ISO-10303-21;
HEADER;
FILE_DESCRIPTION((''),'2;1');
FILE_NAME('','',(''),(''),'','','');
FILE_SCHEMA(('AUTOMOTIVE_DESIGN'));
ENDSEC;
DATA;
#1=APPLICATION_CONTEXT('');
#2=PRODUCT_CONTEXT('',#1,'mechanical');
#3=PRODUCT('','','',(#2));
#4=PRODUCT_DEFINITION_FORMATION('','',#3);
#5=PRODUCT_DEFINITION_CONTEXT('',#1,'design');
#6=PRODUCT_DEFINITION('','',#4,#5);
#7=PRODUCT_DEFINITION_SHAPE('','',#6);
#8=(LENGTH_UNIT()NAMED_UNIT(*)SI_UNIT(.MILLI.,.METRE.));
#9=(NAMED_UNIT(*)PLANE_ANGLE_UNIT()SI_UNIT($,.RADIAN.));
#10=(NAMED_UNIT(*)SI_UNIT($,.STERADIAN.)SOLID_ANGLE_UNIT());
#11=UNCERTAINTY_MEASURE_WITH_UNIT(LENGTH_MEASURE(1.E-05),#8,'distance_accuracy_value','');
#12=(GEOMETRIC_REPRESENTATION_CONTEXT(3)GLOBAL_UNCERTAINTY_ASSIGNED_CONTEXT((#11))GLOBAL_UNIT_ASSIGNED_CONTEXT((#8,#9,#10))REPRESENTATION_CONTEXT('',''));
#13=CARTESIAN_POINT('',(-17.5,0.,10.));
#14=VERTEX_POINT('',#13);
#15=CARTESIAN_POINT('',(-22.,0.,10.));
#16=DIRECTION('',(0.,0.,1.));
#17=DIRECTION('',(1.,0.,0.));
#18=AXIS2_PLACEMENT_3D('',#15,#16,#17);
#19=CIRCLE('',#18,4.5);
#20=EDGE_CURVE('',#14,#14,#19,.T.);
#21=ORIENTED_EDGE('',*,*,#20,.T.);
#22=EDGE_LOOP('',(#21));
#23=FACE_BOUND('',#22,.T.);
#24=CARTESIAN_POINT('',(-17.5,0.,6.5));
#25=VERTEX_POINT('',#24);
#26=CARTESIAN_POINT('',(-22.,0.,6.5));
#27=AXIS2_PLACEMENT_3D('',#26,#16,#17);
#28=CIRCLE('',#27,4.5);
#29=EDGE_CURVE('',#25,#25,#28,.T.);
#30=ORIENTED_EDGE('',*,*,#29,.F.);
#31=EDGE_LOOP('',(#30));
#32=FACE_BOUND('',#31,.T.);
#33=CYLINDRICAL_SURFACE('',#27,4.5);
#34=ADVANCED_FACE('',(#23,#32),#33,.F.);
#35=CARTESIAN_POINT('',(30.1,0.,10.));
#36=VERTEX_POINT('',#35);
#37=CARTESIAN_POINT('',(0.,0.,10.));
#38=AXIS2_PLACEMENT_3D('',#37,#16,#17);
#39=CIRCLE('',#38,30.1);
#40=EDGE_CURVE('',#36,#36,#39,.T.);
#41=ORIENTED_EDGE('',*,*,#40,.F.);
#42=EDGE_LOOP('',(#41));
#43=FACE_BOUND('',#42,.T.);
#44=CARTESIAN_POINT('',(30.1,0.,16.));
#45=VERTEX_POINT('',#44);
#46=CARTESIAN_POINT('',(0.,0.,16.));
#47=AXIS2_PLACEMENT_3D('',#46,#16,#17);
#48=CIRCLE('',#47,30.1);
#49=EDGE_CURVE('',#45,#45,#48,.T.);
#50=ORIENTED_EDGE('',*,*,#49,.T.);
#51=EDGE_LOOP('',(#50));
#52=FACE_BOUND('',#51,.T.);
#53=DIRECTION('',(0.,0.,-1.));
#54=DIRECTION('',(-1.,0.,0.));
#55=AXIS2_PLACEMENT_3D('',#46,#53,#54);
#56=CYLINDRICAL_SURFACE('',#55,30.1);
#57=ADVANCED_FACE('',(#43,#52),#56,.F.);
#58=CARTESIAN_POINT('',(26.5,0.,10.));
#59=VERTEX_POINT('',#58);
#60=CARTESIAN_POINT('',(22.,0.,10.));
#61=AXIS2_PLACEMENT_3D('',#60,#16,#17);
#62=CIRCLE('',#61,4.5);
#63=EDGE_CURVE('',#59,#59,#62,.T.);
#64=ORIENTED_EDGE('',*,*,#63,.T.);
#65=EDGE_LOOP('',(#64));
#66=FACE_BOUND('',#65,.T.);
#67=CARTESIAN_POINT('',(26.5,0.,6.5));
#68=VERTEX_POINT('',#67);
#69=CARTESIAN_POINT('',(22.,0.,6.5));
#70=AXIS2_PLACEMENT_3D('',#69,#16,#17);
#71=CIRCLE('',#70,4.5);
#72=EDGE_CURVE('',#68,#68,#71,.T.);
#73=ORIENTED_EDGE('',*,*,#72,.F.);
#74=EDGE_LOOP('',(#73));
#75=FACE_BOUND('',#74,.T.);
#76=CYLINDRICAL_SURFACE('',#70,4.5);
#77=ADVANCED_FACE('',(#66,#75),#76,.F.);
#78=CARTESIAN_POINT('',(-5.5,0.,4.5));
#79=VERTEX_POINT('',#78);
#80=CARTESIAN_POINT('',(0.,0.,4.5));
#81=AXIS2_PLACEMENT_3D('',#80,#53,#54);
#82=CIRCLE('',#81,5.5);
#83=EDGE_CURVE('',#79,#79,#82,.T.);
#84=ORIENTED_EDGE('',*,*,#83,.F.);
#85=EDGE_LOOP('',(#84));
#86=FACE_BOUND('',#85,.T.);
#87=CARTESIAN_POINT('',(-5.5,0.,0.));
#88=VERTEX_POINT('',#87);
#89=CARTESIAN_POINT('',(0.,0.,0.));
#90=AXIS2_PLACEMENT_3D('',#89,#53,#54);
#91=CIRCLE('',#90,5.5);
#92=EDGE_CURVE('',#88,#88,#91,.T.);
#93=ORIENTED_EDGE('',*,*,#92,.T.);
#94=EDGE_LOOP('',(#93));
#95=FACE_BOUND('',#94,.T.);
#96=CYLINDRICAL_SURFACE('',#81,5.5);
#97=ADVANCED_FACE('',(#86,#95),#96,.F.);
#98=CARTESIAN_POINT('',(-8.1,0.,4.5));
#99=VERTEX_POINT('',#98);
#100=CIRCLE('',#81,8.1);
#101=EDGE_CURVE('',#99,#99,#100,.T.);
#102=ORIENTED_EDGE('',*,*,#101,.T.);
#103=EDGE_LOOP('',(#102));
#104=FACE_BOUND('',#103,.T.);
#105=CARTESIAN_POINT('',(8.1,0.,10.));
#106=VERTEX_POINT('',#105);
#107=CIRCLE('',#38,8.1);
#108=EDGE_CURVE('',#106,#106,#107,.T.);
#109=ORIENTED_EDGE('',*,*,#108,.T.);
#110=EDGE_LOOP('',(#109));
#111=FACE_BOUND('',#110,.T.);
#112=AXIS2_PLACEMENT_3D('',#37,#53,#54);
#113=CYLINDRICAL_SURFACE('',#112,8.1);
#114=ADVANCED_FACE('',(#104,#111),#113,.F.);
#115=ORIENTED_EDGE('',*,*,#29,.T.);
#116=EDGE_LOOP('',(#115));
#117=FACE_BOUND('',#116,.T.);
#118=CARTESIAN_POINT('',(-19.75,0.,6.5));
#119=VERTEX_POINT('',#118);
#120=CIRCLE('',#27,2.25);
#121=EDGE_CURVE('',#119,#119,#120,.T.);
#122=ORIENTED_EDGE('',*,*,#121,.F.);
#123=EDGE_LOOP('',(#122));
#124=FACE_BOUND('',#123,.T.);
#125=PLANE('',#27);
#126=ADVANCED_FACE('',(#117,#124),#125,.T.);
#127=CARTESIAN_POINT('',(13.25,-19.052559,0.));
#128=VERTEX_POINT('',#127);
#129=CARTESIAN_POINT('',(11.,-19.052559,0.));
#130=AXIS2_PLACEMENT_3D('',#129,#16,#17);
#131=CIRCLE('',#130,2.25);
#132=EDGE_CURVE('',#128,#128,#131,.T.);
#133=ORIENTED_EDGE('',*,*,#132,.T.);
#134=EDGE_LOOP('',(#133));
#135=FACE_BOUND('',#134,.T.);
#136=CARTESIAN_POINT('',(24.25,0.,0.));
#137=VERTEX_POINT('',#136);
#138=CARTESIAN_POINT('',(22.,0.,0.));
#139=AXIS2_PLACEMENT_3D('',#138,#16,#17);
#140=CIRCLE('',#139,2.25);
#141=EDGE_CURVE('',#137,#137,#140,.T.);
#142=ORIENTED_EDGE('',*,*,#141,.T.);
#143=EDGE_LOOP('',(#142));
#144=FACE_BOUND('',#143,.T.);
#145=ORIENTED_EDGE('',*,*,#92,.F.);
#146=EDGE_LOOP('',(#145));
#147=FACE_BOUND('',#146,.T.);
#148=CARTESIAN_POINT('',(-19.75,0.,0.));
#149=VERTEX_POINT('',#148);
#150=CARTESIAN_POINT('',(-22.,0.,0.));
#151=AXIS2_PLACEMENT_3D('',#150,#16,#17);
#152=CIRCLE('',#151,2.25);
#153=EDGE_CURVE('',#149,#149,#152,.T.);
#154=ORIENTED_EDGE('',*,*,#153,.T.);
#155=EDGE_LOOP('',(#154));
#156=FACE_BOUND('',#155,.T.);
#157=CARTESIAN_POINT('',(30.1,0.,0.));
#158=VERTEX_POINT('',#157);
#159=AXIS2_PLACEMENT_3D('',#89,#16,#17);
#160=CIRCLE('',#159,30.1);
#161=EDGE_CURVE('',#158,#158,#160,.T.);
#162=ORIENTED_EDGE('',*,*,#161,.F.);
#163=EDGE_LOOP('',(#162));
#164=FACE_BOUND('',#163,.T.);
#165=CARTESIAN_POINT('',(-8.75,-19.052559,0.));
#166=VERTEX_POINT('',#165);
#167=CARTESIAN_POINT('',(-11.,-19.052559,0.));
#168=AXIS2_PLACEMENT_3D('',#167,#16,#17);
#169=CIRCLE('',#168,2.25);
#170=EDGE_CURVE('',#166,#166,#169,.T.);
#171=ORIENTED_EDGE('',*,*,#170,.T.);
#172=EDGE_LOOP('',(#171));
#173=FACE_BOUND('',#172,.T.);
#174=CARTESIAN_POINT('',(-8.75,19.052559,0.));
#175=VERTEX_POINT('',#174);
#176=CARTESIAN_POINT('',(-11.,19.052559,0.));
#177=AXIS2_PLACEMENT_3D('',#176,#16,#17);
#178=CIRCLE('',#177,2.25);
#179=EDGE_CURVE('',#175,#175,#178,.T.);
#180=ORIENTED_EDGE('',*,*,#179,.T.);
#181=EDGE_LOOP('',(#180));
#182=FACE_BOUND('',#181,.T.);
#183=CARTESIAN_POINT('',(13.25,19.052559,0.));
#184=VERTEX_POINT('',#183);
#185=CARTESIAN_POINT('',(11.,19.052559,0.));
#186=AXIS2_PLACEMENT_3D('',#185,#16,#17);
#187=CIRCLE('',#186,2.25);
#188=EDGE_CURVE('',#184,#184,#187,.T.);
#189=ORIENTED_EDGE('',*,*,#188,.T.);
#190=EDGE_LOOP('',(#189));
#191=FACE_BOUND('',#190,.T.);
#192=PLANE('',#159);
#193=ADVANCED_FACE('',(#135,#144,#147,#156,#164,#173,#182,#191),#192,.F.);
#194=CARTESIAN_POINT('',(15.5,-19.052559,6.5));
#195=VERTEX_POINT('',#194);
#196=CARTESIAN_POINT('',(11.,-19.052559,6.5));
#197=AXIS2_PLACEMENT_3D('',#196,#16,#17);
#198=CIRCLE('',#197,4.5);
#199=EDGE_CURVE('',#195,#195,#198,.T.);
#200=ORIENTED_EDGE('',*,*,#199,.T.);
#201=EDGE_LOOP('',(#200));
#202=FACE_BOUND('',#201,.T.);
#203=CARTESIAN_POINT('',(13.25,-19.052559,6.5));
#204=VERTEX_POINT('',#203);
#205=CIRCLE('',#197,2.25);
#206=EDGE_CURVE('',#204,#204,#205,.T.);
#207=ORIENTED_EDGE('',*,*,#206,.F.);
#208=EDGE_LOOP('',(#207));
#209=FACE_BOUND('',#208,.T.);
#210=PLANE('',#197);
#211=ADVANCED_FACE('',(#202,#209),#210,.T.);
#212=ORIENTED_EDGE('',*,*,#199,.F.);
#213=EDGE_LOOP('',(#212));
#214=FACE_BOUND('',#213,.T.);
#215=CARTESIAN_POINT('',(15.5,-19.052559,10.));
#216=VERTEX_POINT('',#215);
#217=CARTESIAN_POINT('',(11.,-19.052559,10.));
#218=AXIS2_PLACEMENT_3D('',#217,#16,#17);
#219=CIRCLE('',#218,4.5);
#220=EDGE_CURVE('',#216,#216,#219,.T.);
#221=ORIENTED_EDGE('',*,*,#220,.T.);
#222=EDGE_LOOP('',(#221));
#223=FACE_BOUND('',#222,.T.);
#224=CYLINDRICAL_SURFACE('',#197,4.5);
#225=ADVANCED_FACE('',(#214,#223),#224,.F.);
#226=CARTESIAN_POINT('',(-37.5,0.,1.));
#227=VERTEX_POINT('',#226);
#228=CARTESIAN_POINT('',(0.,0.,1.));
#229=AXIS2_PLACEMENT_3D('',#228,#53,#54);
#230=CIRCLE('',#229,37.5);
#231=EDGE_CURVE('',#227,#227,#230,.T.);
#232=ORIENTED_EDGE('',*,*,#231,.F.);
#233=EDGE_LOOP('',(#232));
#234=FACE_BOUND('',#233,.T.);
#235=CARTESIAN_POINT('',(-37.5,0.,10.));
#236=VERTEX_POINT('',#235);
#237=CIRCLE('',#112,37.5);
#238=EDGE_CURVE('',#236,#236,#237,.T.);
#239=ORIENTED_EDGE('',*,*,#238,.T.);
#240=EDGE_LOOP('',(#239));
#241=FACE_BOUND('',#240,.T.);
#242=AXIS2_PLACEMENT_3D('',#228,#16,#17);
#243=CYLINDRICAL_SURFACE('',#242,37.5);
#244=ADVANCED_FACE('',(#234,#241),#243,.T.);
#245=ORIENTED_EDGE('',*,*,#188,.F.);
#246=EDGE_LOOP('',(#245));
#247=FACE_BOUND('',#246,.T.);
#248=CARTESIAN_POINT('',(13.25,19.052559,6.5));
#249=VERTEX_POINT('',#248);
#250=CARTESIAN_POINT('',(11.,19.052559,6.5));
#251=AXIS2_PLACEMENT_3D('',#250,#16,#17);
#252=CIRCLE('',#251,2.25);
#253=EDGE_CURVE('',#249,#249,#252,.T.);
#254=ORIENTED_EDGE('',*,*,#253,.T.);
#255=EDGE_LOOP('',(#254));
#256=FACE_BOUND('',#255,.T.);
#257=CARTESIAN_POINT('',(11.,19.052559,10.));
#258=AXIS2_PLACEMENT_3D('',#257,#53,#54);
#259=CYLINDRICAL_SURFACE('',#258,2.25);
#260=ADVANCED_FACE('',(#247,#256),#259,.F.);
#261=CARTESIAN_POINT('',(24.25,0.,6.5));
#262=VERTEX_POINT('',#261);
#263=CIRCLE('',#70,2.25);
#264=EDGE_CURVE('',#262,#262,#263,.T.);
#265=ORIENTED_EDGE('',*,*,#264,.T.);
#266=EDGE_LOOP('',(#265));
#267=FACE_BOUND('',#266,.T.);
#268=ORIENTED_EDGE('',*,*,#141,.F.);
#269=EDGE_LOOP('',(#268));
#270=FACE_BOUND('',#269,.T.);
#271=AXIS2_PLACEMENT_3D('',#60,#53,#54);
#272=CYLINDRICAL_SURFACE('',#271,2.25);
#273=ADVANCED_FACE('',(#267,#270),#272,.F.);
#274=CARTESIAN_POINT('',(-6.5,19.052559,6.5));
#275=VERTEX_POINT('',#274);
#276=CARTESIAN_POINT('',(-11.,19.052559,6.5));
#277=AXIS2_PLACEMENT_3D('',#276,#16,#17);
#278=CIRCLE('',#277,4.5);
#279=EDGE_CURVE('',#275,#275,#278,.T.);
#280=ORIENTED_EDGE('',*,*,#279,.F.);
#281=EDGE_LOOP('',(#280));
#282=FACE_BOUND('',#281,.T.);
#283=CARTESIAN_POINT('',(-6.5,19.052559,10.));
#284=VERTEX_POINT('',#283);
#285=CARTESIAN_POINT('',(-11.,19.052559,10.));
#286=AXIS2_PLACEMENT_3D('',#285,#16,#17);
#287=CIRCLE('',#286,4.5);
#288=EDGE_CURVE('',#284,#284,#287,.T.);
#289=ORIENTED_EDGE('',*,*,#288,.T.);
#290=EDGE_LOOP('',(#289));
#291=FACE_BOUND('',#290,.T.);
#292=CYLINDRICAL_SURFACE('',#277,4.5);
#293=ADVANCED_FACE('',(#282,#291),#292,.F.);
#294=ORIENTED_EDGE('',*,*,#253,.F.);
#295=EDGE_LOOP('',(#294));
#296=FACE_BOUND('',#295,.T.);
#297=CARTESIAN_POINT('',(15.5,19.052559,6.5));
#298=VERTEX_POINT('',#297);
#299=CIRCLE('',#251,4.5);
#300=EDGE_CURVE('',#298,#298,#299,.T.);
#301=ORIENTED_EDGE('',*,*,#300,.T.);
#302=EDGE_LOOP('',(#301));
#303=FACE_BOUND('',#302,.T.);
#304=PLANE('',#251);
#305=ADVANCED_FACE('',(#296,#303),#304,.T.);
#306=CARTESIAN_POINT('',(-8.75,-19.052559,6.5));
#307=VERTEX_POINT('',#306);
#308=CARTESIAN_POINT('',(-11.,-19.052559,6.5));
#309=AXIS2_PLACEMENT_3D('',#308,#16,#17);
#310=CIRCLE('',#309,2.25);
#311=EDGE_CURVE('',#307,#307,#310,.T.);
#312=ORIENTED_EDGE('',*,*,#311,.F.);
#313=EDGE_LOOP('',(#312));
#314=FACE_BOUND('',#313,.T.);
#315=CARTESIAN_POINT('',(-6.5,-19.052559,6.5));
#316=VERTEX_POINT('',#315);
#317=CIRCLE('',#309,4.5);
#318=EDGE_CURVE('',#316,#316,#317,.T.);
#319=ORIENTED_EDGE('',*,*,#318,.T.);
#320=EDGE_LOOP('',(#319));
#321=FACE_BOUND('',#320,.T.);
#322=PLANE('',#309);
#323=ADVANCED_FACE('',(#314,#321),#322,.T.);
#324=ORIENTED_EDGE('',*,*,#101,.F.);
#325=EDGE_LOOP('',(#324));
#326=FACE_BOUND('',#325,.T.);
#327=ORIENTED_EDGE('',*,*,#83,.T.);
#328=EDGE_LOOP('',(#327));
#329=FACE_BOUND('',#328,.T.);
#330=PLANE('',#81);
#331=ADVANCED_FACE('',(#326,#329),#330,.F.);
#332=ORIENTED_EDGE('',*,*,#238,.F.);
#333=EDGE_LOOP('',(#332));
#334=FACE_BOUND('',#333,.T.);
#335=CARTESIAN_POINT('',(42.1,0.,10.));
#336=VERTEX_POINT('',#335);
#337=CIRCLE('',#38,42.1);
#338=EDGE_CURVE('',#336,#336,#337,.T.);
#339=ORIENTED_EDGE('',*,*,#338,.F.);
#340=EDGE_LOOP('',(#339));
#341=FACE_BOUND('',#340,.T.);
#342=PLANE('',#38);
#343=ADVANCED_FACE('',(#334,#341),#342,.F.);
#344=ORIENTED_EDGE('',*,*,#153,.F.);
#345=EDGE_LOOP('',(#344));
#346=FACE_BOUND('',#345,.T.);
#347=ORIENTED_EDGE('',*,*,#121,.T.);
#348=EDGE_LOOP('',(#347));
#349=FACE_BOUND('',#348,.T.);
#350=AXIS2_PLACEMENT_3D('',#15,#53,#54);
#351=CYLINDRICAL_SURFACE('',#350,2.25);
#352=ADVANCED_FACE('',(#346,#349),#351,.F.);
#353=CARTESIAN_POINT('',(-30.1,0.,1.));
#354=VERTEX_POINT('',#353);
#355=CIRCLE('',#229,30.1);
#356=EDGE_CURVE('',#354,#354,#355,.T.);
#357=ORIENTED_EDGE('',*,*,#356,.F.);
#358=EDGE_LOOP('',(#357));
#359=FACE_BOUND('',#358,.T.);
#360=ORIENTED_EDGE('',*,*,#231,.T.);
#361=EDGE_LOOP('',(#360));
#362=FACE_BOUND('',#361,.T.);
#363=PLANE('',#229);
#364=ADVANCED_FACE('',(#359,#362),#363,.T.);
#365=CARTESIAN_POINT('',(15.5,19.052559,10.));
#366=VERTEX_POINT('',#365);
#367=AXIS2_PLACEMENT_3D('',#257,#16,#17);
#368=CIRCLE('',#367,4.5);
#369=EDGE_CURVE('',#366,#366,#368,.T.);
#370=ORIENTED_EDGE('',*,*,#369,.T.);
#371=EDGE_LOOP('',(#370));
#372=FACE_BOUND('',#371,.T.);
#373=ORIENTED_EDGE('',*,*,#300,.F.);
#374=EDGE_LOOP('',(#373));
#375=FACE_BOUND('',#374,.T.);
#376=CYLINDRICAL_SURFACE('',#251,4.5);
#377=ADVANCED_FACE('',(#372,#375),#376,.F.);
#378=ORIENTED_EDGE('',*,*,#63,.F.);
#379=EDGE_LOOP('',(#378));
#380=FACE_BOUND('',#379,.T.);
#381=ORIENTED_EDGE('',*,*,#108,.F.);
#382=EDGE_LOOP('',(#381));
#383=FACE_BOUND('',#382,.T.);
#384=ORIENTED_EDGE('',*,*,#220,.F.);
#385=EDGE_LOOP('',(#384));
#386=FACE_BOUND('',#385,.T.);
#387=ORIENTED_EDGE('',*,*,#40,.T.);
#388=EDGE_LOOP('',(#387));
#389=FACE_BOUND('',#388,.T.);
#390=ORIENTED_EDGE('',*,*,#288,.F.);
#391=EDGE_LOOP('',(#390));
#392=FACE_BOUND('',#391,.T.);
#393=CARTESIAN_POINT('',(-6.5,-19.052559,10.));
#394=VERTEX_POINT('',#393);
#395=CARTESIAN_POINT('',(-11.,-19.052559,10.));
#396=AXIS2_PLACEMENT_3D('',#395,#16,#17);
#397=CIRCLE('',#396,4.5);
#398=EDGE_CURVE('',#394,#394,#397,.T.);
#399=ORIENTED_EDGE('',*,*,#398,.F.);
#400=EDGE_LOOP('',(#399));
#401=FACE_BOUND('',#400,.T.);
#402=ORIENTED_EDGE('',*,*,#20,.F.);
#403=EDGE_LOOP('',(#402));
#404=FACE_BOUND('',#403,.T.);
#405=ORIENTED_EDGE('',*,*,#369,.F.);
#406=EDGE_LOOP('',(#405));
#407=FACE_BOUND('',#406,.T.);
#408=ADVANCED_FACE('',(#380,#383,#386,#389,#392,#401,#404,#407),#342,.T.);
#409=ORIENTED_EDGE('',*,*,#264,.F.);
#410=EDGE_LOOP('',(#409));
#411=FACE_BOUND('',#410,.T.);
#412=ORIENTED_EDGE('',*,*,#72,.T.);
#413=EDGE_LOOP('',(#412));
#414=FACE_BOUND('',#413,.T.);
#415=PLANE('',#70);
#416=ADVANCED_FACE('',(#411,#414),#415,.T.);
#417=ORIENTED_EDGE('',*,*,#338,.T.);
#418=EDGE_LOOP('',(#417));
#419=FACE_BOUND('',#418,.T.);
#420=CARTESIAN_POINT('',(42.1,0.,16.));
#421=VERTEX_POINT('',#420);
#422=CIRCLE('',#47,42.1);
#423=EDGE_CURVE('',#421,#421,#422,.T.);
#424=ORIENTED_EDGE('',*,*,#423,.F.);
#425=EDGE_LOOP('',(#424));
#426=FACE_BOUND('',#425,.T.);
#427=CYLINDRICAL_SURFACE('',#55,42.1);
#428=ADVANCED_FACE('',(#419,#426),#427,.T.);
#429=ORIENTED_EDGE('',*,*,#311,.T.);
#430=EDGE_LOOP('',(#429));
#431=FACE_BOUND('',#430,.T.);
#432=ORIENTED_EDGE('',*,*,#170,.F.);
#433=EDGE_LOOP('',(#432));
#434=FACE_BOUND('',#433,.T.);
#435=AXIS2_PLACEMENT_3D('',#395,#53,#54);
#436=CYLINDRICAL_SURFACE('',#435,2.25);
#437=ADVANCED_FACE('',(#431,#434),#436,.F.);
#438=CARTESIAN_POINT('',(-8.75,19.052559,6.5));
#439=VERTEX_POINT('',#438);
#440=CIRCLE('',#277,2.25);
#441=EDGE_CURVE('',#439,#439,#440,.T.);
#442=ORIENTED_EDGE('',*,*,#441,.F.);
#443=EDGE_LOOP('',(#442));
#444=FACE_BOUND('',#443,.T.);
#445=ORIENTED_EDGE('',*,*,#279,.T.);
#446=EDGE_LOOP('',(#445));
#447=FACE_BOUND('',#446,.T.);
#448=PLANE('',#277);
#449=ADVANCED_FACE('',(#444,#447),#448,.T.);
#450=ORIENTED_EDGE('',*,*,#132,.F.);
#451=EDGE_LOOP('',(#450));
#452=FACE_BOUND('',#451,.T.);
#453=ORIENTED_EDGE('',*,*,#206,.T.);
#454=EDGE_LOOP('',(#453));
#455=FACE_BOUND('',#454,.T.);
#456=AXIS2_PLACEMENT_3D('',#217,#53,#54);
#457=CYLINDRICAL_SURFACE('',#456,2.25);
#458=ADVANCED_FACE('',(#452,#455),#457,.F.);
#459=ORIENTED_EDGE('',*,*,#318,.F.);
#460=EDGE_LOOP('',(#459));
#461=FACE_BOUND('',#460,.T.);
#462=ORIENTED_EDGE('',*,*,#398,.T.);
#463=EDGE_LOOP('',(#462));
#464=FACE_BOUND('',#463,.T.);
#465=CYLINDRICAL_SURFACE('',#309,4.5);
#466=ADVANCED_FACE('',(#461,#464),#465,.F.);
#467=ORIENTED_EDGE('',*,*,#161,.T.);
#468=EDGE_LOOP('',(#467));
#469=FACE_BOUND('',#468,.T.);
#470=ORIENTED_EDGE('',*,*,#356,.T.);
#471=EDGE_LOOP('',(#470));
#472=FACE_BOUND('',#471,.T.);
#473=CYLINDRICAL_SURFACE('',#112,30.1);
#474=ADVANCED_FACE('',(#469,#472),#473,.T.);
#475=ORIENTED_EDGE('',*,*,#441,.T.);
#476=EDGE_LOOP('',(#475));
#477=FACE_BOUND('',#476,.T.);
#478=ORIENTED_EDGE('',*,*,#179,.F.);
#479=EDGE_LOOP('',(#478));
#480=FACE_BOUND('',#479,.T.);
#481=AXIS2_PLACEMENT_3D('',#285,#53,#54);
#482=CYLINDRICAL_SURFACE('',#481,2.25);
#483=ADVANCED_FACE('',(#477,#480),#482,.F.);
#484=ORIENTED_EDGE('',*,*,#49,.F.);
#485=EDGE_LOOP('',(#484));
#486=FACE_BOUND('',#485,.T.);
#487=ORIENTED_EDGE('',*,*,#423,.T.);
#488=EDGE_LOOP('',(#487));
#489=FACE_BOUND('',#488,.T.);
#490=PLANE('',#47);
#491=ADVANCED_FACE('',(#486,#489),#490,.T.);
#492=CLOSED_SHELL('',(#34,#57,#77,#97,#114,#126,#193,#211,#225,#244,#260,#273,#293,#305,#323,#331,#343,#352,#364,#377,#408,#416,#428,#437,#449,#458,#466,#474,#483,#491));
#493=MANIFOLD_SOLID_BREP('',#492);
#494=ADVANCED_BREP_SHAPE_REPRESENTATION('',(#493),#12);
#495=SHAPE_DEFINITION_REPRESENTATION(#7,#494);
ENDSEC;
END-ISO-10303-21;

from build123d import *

# Parameters (mm, degrees)
ESQUISSE1_R             = 30.1
ESQUISSE1_R_2           = 2.25
ESQUISSE1_R_3           = 8.1
BOSS_EXTRU_1_DEPTH      = 10
ESQUISSE2_R             = 8.1
ESQUISSE2_R_2           = 5.5
BOSS_EXTRU_2_DEPTH      = 4.5
ESQUISSE3_R             = 4.5
ENL_V_MAT_EXTRU_1_DEPTH = 3.5
ESQUISSE4_R             = 42.1
ESQUISSE4_R_2           = 30.1
BOSS_EXTRU_3_DEPTH      = 6
BOSS_EXTRU_4_START      = 9
ESQUISSE6_R             = 37.5
ESQUISSE6_R_2           = 30.1
BOSS_EXTRU_4_DEPTH      = 9


with BuildPart() as part:
    # Esquisse1 → Boss.-Extru.1 (new body)
    with BuildSketch(Plane.XY):
        Circle(ESQUISSE1_R)
        with Locations((22, 0)):
            Circle(ESQUISSE1_R_2, mode=Mode.SUBTRACT)
        with Locations((11, -19.052558883)):
            Circle(ESQUISSE1_R_2, mode=Mode.SUBTRACT)
        with Locations((-11, -19.052558883)):
            Circle(ESQUISSE1_R_2, mode=Mode.SUBTRACT)
        with Locations((-22, 0)):
            Circle(ESQUISSE1_R_2, mode=Mode.SUBTRACT)
        with Locations((-11, 19.052558883)):
            Circle(ESQUISSE1_R_2, mode=Mode.SUBTRACT)
        with Locations((11, 19.052558883)):
            Circle(ESQUISSE1_R_2, mode=Mode.SUBTRACT)
        Circle(ESQUISSE1_R_3, mode=Mode.SUBTRACT)
    extrude(amount=BOSS_EXTRU_1_DEPTH)

    # Esquisse2 → Boss.-Extru.2 (add)
    with BuildSketch(Plane(origin=(0, 0, 0), x_dir=(-1, 0, 0), z_dir=(0, 0, -1))):
        Circle(ESQUISSE2_R)
        Circle(ESQUISSE2_R_2, mode=Mode.SUBTRACT)
    extrude(amount=-BOSS_EXTRU_2_DEPTH)

    # Esquisse3 → Enlèv. mat.-Extru.1 (cut)
    with BuildSketch(Plane.XY.offset(10)):
        with Locations((-11, 19.052558883)):
            Circle(ESQUISSE3_R)
        with Locations((11, 19.052558883)):
            Circle(ESQUISSE3_R)
        with Locations((22, 0)):
            Circle(ESQUISSE3_R)
        with Locations((11, -19.052558883)):
            Circle(ESQUISSE3_R)
        with Locations((-11, -19.052558883)):
            Circle(ESQUISSE3_R)
        with Locations((-22, 0)):
            Circle(ESQUISSE3_R)
    extrude(amount=-ENL_V_MAT_EXTRU_1_DEPTH, mode=Mode.SUBTRACT)



with BuildPart() as body_2:
    # Esquisse4 → Boss.-Extru.3 (new body)
    with BuildSketch(Plane.XY.offset(10)):
        Circle(ESQUISSE4_R)
        Circle(ESQUISSE4_R_2, mode=Mode.SUBTRACT)
    extrude(amount=BOSS_EXTRU_3_DEPTH)


with BuildPart() as part_1:
    add(part.part)

    add(body_2.part)  # Boss.-Extru.4 merges body 2
    # Esquisse6 → Boss.-Extru.4 (add)
    with BuildSketch(Plane(origin=(0, 0, 10), x_dir=(-1, 0, 0), z_dir=(0, 0, -1)).offset(BOSS_EXTRU_4_START)):
        Circle(ESQUISSE6_R)
        Circle(ESQUISSE6_R_2, mode=Mode.SUBTRACT)
    extrude(amount=-BOSS_EXTRU_4_DEPTH)


solid = part_1.part
